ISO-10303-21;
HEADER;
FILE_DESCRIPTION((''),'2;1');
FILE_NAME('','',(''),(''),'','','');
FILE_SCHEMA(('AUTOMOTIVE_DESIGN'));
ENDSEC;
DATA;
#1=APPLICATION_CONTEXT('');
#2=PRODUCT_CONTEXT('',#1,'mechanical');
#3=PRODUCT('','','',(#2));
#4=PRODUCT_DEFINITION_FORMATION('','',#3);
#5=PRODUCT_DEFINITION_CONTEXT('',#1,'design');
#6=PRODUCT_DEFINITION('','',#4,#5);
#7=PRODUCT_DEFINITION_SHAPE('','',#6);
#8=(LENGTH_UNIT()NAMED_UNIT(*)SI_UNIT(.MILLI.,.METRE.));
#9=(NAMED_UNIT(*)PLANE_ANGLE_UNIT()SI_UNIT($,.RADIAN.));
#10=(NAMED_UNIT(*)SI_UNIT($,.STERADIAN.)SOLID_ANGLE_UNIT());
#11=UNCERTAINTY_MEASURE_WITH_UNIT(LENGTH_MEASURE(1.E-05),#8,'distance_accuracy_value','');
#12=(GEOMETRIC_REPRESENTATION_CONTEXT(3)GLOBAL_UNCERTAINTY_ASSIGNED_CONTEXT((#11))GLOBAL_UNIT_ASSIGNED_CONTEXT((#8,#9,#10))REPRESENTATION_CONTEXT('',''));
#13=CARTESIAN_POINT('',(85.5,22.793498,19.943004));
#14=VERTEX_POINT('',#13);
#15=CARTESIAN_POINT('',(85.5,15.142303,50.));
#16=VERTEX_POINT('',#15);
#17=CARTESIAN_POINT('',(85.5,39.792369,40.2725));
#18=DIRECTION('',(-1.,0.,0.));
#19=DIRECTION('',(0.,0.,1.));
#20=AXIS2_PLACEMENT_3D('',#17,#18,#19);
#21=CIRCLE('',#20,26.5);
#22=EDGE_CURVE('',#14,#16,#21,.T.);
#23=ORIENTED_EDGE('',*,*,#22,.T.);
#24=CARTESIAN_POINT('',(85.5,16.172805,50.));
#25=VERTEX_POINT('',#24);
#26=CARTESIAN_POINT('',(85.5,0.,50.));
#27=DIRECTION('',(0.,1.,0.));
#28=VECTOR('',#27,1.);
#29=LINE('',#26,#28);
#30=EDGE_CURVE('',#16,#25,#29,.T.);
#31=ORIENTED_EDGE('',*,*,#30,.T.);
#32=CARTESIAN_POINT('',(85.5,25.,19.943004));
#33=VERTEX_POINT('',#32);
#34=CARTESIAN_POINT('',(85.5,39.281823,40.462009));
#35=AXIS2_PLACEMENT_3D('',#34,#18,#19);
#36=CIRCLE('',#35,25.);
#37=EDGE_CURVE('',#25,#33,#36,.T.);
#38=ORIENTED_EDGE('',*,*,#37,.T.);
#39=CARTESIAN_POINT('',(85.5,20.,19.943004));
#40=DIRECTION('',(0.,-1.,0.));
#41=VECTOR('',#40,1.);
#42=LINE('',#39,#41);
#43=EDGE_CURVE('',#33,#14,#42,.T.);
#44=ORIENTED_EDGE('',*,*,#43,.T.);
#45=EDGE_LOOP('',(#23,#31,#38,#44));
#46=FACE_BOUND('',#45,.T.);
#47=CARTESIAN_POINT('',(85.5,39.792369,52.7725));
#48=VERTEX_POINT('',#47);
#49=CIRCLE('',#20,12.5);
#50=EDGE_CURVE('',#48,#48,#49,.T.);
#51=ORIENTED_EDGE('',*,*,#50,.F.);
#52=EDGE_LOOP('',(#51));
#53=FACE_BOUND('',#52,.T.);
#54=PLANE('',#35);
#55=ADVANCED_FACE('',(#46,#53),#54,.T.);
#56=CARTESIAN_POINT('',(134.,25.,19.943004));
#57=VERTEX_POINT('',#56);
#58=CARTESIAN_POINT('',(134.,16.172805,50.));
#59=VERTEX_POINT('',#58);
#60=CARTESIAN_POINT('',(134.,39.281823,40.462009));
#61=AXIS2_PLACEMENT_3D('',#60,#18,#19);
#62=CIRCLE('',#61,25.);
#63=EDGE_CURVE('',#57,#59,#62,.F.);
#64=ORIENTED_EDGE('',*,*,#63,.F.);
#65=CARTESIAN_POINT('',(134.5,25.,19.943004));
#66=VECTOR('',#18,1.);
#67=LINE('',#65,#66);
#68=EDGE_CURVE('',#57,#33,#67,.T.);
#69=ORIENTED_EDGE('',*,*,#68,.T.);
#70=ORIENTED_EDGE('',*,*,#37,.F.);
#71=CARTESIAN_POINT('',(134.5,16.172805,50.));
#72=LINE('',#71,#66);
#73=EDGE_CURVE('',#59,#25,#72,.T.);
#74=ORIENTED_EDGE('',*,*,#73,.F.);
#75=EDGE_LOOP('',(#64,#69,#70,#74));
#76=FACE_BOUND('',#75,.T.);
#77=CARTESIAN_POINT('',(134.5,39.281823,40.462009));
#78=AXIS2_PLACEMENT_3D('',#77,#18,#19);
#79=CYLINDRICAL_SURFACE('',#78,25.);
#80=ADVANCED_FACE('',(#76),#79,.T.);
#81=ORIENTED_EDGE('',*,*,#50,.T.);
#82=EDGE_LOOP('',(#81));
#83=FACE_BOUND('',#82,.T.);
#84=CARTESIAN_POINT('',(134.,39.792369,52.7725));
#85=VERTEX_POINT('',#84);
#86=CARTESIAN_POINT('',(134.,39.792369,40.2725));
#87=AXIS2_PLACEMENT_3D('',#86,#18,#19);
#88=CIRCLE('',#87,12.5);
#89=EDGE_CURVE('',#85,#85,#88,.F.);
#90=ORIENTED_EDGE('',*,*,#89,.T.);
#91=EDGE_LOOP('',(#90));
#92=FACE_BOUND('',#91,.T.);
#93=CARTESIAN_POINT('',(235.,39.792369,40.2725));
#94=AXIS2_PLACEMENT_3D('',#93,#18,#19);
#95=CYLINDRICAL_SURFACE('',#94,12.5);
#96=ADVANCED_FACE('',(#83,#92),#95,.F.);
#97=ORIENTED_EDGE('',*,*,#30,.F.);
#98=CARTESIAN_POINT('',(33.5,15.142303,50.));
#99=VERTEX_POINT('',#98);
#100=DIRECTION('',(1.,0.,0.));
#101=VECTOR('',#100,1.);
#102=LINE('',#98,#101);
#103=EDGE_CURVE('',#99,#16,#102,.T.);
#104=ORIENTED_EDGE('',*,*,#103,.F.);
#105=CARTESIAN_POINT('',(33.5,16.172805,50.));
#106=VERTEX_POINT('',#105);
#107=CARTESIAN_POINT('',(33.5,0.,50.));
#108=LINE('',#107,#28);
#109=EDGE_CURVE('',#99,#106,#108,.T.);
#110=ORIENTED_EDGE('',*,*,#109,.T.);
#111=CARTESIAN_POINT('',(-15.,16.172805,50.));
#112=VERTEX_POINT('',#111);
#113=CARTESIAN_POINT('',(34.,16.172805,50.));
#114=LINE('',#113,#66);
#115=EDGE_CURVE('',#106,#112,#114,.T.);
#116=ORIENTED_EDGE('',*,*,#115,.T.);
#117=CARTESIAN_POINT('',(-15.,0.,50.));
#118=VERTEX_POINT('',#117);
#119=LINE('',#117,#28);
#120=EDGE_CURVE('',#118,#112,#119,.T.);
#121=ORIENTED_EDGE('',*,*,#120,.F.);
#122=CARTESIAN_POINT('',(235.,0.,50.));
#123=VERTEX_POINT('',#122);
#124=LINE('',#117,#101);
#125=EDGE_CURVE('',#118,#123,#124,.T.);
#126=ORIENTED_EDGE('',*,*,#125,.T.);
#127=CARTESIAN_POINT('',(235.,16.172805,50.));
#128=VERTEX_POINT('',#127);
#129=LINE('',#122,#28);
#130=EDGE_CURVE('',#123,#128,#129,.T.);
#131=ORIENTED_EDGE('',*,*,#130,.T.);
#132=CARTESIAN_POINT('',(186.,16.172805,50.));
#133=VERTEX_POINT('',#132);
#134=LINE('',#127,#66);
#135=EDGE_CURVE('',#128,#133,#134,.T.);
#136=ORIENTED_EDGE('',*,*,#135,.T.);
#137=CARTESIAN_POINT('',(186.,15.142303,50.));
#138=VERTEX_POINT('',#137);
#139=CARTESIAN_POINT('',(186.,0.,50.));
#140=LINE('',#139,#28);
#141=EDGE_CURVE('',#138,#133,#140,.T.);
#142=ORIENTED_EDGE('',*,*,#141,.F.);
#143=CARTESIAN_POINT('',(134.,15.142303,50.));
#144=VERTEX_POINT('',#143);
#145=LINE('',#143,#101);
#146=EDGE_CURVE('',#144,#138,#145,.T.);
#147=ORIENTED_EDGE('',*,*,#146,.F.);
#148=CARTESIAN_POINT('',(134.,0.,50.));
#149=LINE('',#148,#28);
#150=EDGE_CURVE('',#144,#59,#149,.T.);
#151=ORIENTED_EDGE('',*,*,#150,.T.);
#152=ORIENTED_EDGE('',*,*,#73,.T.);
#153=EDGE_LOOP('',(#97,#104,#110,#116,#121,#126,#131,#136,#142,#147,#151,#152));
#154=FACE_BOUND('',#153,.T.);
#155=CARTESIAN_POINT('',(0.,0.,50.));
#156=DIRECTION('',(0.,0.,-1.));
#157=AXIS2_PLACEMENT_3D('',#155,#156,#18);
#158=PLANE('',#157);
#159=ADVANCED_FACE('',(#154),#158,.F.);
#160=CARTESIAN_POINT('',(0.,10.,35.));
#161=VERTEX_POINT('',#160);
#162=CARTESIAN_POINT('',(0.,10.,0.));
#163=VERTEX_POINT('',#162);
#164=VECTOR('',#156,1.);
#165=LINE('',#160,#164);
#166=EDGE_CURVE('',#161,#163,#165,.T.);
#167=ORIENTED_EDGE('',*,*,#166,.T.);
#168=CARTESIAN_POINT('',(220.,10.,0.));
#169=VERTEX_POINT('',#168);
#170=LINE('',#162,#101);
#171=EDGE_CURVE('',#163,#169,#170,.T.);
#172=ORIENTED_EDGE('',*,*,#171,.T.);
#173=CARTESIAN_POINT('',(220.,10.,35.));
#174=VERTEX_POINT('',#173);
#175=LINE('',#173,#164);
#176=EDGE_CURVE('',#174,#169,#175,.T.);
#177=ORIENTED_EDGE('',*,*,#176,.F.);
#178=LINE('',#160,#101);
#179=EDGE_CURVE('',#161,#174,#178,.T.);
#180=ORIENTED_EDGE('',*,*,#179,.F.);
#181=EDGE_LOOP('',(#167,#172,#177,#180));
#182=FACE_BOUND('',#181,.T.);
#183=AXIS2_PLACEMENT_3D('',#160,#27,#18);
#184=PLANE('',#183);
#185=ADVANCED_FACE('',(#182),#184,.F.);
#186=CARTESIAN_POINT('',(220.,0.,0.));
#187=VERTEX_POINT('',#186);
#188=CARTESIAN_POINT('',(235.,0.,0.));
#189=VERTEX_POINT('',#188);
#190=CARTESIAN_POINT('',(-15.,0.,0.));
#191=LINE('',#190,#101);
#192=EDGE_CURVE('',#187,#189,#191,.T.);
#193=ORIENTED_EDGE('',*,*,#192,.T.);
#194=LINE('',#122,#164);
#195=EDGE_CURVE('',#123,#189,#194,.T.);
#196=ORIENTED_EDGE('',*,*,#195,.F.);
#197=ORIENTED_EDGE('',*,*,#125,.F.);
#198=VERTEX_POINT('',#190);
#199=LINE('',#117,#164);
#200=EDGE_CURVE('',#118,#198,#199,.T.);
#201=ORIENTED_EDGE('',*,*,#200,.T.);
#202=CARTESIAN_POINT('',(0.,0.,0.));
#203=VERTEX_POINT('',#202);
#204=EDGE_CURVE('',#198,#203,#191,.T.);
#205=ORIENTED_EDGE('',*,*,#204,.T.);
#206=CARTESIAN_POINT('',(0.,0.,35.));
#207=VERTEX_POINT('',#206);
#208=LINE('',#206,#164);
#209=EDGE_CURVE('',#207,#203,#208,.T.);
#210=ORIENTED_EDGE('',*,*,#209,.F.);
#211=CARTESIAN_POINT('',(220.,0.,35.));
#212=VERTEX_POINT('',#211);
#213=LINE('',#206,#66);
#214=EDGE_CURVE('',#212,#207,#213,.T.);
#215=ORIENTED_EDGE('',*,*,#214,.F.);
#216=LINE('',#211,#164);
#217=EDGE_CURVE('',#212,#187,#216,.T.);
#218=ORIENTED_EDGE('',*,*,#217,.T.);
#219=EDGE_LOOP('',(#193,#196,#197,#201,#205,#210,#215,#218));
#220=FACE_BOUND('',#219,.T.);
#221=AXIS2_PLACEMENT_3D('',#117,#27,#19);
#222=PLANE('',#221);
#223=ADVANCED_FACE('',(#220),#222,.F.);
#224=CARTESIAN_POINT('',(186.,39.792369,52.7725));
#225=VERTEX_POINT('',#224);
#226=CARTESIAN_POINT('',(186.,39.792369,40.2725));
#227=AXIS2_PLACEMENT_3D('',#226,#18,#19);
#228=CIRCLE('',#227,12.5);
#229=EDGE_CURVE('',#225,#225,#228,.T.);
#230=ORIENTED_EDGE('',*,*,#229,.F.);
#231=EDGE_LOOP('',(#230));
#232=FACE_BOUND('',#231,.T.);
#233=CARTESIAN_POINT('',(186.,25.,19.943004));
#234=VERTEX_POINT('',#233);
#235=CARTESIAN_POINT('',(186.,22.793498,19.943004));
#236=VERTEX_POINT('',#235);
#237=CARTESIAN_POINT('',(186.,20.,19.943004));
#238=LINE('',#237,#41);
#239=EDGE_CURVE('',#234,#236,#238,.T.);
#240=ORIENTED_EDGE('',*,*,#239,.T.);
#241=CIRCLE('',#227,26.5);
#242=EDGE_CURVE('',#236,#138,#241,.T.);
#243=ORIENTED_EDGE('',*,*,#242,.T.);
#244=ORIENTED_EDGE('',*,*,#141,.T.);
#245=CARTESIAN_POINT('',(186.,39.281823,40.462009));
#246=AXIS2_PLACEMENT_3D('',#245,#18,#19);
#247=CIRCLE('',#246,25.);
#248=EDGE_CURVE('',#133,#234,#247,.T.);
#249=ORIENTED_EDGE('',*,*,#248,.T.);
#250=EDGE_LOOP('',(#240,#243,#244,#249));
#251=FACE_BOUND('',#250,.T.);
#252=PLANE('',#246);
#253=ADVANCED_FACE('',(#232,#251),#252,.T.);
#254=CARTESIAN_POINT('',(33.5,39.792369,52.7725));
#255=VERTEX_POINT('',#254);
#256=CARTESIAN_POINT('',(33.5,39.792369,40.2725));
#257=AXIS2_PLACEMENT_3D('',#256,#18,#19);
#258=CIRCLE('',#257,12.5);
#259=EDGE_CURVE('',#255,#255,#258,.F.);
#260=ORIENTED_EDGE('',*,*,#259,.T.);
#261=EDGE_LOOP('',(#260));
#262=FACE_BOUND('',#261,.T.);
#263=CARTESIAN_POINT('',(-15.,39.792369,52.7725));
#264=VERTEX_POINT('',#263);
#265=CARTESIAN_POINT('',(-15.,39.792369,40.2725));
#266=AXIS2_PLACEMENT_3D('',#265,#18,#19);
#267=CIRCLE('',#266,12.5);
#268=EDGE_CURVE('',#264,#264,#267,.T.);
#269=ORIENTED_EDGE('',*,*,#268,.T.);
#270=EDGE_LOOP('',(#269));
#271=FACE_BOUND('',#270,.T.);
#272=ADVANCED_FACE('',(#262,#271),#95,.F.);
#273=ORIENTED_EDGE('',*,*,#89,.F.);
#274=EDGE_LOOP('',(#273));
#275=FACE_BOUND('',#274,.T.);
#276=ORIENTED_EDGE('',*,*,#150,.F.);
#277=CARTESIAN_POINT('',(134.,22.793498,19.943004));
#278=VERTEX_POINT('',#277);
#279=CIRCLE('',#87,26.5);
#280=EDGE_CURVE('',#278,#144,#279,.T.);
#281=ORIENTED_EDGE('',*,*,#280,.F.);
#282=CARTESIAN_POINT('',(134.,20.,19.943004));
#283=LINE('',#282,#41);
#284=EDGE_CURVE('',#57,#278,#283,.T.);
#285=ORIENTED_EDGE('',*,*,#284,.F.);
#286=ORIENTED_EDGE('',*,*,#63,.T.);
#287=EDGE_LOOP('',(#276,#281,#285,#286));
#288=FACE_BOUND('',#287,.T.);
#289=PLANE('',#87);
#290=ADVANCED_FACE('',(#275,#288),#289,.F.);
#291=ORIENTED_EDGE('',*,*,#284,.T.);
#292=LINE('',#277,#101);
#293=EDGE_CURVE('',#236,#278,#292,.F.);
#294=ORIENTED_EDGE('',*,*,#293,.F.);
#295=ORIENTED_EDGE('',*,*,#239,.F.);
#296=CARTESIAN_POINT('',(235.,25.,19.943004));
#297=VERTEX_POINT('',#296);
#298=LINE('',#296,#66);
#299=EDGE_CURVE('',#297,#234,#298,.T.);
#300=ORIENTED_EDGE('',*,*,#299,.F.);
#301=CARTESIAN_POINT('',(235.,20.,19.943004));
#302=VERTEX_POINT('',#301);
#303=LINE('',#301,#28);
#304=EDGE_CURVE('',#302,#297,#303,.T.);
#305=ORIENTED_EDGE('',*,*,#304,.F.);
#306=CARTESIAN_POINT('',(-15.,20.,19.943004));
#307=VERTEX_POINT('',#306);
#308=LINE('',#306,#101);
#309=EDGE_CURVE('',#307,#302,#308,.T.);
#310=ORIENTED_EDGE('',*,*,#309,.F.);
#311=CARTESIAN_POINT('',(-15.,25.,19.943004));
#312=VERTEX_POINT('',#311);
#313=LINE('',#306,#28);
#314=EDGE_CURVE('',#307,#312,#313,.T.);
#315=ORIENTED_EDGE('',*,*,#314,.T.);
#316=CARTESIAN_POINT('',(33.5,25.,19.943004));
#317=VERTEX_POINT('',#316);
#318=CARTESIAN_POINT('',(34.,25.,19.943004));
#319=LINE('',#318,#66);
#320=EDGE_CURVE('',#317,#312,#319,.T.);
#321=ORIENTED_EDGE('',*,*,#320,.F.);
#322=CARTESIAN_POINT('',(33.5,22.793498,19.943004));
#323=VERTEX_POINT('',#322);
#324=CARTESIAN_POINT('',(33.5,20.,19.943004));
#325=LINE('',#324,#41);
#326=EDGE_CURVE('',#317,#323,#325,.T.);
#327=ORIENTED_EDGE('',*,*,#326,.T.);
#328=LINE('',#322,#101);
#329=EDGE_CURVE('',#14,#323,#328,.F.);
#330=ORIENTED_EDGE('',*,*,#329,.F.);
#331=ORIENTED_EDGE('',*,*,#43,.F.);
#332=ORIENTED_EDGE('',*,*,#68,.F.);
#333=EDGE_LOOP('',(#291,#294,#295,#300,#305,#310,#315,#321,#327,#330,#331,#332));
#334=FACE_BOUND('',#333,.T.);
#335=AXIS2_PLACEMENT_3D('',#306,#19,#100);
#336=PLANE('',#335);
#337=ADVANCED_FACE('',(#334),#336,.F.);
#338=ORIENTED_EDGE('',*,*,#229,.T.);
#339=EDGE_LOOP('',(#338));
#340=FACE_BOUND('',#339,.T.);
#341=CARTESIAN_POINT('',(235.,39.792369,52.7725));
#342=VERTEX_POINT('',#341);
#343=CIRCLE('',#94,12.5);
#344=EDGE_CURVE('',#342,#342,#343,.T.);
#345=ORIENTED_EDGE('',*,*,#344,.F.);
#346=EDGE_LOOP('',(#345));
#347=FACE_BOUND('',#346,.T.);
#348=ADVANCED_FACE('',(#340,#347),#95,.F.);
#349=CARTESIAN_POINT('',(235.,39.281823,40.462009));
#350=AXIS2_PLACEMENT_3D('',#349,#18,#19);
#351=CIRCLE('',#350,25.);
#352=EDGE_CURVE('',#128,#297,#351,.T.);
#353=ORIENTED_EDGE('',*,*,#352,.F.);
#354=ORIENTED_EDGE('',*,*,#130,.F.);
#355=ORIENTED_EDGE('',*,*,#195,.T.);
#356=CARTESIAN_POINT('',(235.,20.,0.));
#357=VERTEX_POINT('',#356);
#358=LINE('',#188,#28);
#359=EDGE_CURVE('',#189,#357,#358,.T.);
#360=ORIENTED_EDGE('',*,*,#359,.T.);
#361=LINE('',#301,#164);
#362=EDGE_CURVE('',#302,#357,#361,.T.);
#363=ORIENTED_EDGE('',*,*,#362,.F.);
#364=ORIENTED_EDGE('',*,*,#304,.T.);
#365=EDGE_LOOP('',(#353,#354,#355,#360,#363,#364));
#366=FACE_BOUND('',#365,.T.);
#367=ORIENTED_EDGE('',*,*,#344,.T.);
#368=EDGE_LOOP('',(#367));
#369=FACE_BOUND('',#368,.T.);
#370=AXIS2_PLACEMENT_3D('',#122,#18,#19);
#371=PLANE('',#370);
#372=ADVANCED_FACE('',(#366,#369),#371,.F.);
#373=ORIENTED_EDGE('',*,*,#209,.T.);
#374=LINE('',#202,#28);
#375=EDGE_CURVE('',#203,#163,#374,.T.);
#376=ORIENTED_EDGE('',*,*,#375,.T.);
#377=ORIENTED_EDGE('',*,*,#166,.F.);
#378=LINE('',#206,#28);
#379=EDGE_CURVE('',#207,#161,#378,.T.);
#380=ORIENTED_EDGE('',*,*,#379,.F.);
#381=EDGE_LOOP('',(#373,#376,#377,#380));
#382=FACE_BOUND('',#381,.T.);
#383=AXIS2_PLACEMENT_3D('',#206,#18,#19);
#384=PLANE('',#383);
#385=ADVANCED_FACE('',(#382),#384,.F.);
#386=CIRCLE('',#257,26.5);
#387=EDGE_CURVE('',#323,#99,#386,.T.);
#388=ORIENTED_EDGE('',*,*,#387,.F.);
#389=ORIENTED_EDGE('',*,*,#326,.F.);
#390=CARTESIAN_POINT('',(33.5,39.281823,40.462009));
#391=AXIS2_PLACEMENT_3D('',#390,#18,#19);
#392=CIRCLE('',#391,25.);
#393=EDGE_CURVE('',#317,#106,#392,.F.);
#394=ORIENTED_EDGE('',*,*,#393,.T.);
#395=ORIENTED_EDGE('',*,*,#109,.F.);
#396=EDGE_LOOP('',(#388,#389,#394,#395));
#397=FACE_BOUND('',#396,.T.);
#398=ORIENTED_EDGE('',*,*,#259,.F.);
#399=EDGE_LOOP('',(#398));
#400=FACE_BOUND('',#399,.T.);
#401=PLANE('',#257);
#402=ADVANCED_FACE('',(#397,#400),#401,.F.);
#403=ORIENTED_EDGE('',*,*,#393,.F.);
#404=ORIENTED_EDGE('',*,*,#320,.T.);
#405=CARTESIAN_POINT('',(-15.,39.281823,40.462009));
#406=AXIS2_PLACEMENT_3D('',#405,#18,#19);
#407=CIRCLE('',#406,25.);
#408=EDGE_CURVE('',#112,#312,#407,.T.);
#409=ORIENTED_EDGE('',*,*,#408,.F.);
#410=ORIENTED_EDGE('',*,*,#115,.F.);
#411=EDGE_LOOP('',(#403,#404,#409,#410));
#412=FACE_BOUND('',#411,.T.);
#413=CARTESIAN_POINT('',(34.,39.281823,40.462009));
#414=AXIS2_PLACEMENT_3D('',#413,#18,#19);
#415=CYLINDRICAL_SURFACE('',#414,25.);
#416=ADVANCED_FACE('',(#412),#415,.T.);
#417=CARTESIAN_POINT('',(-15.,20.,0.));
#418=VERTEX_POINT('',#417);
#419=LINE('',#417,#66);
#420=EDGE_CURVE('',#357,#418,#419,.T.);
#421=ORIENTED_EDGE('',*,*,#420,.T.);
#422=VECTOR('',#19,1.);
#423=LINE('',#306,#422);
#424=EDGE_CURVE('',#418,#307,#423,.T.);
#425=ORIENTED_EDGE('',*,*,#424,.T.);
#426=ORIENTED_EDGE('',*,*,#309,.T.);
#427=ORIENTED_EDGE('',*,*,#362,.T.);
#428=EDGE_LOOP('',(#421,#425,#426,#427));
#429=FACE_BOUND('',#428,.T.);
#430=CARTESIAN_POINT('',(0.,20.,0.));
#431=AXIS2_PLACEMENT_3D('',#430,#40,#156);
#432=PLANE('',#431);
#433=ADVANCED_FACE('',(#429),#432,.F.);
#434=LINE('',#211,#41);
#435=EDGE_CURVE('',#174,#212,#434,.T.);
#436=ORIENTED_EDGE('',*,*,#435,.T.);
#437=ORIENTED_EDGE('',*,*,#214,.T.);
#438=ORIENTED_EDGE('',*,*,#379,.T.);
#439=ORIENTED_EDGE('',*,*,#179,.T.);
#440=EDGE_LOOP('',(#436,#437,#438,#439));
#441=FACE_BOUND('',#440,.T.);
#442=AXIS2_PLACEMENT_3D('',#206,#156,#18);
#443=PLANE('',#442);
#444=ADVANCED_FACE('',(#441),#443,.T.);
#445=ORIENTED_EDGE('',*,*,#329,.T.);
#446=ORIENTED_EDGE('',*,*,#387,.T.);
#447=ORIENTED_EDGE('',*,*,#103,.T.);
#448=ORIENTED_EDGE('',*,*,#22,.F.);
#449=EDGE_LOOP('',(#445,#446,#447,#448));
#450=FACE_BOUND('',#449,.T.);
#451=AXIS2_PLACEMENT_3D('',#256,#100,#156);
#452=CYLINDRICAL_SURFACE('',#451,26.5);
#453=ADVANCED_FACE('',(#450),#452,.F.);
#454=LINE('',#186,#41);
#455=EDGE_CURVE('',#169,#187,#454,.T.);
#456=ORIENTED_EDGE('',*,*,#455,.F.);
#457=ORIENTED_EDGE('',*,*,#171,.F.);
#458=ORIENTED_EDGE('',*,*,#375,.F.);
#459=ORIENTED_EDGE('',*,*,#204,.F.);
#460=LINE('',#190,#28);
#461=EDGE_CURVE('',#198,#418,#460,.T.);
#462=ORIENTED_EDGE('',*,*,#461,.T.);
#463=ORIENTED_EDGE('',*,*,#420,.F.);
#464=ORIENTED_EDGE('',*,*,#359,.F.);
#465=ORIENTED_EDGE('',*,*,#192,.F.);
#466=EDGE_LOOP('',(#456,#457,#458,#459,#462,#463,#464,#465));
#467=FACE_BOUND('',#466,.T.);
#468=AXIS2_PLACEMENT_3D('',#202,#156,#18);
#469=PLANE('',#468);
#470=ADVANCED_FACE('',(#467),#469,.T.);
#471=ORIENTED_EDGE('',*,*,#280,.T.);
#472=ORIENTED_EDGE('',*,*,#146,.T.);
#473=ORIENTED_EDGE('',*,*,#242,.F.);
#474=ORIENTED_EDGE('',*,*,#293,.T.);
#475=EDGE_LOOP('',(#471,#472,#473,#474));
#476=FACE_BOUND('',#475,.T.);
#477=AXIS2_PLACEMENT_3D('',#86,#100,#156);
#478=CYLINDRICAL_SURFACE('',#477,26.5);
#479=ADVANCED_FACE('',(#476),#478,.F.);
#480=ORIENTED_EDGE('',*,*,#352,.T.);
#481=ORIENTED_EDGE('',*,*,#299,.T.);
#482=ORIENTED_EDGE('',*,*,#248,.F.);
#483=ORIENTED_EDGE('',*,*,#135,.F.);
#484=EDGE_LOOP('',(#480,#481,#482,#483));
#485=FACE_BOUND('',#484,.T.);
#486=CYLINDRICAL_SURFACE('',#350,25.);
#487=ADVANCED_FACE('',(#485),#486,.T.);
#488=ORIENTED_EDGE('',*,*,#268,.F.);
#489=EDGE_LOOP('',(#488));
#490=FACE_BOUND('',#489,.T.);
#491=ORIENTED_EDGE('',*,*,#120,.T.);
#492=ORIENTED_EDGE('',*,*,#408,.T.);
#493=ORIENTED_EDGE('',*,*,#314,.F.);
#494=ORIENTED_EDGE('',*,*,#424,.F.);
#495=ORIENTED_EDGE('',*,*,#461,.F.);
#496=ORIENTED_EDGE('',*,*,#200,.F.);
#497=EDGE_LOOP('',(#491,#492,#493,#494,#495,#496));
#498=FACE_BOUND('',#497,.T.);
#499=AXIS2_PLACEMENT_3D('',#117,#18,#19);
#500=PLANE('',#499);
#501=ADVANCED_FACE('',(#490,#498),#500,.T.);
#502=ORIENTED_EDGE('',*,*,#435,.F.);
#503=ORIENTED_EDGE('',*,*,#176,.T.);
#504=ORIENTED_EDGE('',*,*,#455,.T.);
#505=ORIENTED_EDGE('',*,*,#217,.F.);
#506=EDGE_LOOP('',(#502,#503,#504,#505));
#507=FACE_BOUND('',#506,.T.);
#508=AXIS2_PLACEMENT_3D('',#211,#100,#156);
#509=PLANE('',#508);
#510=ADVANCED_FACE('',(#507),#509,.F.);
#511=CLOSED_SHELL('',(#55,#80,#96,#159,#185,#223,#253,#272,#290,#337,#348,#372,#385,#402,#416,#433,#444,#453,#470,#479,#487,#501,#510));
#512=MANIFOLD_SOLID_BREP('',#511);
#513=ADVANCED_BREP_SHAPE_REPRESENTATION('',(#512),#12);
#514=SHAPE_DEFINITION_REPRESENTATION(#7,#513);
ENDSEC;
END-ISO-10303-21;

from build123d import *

# Parameters (mm, degrees)
SKETCH1_W           = 250
SKETCH1_H           = 25
BOSS_EXTRUDE1_DEPTH = 50
SKETCH2_W           = 220
SKETCH2_H           = 10
CUT_EXTRUDE1_DEPTH  = 35
SKETCH3_R           = 25
BOSS_EXTRUDE2_DEPTH = 49
LPATTERN1_COUNT     = 3
LPATTERN1_PITCH     = 100.5
SKETCH7_R           = 12.5
CUT_EXTRUDE2_DEPTH  = 250
SKETCH8_W           = 250
SKETCH8_H           = 19.943004224
CUT_EXTRUDE3_DEPTH  = 5
SKETCH10_R          = 26.5
CUT_EXTRUDE4_DEPTH  = 52
SKETCH15_R          = 26.5
CUT_EXTRUDE5_DEPTH  = 52


with BuildPart() as part:
    # Sketch1 → Boss-Extrude1 (new body)
    with BuildSketch(Plane.XY):
        with Locations((110, 12.5)):
            Rectangle(SKETCH1_W, SKETCH1_H)
    extrude(amount=BOSS_EXTRUDE1_DEPTH)

    # Sketch2 → Cut-Extrude1 (cut)
    with BuildSketch(Plane(origin=(0, 0, 0), x_dir=(-1, 0, 0), z_dir=(0, 0, -1))):
        with Locations((-110, 5)):
            Rectangle(SKETCH2_W, SKETCH2_H)
    extrude(amount=-CUT_EXTRUDE1_DEPTH, mode=Mode.SUBTRACT)

    # Sketch3 → Boss-Extrude2 (add)
    with BuildSketch(Plane.ZY.offset(15)):
        with Locations((40.462008594, 39.281822702)):
            Circle(SKETCH3_R)
    boss_extrude2 = extrude(amount=-BOSS_EXTRUDE2_DEPTH)

    # LPattern1: Boss-Extrude2 ×3
    with Locations(*[(i * LPATTERN1_PITCH, 0, 0) for i in range(1, LPATTERN1_COUNT)]):
        add(boss_extrude2)

    # Sketch7 → Cut-Extrude2 (cut)
    with BuildSketch(Plane.ZY.offset(15)):
        with Locations((40.272500431, 39.79236851)):
            Circle(SKETCH7_R)
    extrude(amount=-CUT_EXTRUDE2_DEPTH, mode=Mode.SUBTRACT)

    # Sketch8 → Cut-Extrude3 (cut)
    with BuildSketch(Plane(origin=(0, 25, 0), x_dir=(1, 0, 0), z_dir=(0, 1, 0))):
        with Locations((110, -9.971502112)):
            Rectangle(SKETCH8_W, SKETCH8_H)
    extrude(amount=-CUT_EXTRUDE3_DEPTH, mode=Mode.SUBTRACT)

    # Sketch10 → Cut-Extrude4 (cut)
    with BuildSketch(Plane.ZY.offset(-85.5)):
        with Locations((40.272500431, 39.79236851)):
            Circle(SKETCH10_R)
    extrude(amount=CUT_EXTRUDE4_DEPTH, mode=Mode.SUBTRACT)

    # Sketch15 → Cut-Extrude5 (cut)
    with BuildSketch(Plane.ZY.offset(-186)):
        with Locations((40.272500431, 39.79236851)):
            Circle(SKETCH15_R)
    extrude(amount=CUT_EXTRUDE5_DEPTH, mode=Mode.SUBTRACT)


solid = part.part
